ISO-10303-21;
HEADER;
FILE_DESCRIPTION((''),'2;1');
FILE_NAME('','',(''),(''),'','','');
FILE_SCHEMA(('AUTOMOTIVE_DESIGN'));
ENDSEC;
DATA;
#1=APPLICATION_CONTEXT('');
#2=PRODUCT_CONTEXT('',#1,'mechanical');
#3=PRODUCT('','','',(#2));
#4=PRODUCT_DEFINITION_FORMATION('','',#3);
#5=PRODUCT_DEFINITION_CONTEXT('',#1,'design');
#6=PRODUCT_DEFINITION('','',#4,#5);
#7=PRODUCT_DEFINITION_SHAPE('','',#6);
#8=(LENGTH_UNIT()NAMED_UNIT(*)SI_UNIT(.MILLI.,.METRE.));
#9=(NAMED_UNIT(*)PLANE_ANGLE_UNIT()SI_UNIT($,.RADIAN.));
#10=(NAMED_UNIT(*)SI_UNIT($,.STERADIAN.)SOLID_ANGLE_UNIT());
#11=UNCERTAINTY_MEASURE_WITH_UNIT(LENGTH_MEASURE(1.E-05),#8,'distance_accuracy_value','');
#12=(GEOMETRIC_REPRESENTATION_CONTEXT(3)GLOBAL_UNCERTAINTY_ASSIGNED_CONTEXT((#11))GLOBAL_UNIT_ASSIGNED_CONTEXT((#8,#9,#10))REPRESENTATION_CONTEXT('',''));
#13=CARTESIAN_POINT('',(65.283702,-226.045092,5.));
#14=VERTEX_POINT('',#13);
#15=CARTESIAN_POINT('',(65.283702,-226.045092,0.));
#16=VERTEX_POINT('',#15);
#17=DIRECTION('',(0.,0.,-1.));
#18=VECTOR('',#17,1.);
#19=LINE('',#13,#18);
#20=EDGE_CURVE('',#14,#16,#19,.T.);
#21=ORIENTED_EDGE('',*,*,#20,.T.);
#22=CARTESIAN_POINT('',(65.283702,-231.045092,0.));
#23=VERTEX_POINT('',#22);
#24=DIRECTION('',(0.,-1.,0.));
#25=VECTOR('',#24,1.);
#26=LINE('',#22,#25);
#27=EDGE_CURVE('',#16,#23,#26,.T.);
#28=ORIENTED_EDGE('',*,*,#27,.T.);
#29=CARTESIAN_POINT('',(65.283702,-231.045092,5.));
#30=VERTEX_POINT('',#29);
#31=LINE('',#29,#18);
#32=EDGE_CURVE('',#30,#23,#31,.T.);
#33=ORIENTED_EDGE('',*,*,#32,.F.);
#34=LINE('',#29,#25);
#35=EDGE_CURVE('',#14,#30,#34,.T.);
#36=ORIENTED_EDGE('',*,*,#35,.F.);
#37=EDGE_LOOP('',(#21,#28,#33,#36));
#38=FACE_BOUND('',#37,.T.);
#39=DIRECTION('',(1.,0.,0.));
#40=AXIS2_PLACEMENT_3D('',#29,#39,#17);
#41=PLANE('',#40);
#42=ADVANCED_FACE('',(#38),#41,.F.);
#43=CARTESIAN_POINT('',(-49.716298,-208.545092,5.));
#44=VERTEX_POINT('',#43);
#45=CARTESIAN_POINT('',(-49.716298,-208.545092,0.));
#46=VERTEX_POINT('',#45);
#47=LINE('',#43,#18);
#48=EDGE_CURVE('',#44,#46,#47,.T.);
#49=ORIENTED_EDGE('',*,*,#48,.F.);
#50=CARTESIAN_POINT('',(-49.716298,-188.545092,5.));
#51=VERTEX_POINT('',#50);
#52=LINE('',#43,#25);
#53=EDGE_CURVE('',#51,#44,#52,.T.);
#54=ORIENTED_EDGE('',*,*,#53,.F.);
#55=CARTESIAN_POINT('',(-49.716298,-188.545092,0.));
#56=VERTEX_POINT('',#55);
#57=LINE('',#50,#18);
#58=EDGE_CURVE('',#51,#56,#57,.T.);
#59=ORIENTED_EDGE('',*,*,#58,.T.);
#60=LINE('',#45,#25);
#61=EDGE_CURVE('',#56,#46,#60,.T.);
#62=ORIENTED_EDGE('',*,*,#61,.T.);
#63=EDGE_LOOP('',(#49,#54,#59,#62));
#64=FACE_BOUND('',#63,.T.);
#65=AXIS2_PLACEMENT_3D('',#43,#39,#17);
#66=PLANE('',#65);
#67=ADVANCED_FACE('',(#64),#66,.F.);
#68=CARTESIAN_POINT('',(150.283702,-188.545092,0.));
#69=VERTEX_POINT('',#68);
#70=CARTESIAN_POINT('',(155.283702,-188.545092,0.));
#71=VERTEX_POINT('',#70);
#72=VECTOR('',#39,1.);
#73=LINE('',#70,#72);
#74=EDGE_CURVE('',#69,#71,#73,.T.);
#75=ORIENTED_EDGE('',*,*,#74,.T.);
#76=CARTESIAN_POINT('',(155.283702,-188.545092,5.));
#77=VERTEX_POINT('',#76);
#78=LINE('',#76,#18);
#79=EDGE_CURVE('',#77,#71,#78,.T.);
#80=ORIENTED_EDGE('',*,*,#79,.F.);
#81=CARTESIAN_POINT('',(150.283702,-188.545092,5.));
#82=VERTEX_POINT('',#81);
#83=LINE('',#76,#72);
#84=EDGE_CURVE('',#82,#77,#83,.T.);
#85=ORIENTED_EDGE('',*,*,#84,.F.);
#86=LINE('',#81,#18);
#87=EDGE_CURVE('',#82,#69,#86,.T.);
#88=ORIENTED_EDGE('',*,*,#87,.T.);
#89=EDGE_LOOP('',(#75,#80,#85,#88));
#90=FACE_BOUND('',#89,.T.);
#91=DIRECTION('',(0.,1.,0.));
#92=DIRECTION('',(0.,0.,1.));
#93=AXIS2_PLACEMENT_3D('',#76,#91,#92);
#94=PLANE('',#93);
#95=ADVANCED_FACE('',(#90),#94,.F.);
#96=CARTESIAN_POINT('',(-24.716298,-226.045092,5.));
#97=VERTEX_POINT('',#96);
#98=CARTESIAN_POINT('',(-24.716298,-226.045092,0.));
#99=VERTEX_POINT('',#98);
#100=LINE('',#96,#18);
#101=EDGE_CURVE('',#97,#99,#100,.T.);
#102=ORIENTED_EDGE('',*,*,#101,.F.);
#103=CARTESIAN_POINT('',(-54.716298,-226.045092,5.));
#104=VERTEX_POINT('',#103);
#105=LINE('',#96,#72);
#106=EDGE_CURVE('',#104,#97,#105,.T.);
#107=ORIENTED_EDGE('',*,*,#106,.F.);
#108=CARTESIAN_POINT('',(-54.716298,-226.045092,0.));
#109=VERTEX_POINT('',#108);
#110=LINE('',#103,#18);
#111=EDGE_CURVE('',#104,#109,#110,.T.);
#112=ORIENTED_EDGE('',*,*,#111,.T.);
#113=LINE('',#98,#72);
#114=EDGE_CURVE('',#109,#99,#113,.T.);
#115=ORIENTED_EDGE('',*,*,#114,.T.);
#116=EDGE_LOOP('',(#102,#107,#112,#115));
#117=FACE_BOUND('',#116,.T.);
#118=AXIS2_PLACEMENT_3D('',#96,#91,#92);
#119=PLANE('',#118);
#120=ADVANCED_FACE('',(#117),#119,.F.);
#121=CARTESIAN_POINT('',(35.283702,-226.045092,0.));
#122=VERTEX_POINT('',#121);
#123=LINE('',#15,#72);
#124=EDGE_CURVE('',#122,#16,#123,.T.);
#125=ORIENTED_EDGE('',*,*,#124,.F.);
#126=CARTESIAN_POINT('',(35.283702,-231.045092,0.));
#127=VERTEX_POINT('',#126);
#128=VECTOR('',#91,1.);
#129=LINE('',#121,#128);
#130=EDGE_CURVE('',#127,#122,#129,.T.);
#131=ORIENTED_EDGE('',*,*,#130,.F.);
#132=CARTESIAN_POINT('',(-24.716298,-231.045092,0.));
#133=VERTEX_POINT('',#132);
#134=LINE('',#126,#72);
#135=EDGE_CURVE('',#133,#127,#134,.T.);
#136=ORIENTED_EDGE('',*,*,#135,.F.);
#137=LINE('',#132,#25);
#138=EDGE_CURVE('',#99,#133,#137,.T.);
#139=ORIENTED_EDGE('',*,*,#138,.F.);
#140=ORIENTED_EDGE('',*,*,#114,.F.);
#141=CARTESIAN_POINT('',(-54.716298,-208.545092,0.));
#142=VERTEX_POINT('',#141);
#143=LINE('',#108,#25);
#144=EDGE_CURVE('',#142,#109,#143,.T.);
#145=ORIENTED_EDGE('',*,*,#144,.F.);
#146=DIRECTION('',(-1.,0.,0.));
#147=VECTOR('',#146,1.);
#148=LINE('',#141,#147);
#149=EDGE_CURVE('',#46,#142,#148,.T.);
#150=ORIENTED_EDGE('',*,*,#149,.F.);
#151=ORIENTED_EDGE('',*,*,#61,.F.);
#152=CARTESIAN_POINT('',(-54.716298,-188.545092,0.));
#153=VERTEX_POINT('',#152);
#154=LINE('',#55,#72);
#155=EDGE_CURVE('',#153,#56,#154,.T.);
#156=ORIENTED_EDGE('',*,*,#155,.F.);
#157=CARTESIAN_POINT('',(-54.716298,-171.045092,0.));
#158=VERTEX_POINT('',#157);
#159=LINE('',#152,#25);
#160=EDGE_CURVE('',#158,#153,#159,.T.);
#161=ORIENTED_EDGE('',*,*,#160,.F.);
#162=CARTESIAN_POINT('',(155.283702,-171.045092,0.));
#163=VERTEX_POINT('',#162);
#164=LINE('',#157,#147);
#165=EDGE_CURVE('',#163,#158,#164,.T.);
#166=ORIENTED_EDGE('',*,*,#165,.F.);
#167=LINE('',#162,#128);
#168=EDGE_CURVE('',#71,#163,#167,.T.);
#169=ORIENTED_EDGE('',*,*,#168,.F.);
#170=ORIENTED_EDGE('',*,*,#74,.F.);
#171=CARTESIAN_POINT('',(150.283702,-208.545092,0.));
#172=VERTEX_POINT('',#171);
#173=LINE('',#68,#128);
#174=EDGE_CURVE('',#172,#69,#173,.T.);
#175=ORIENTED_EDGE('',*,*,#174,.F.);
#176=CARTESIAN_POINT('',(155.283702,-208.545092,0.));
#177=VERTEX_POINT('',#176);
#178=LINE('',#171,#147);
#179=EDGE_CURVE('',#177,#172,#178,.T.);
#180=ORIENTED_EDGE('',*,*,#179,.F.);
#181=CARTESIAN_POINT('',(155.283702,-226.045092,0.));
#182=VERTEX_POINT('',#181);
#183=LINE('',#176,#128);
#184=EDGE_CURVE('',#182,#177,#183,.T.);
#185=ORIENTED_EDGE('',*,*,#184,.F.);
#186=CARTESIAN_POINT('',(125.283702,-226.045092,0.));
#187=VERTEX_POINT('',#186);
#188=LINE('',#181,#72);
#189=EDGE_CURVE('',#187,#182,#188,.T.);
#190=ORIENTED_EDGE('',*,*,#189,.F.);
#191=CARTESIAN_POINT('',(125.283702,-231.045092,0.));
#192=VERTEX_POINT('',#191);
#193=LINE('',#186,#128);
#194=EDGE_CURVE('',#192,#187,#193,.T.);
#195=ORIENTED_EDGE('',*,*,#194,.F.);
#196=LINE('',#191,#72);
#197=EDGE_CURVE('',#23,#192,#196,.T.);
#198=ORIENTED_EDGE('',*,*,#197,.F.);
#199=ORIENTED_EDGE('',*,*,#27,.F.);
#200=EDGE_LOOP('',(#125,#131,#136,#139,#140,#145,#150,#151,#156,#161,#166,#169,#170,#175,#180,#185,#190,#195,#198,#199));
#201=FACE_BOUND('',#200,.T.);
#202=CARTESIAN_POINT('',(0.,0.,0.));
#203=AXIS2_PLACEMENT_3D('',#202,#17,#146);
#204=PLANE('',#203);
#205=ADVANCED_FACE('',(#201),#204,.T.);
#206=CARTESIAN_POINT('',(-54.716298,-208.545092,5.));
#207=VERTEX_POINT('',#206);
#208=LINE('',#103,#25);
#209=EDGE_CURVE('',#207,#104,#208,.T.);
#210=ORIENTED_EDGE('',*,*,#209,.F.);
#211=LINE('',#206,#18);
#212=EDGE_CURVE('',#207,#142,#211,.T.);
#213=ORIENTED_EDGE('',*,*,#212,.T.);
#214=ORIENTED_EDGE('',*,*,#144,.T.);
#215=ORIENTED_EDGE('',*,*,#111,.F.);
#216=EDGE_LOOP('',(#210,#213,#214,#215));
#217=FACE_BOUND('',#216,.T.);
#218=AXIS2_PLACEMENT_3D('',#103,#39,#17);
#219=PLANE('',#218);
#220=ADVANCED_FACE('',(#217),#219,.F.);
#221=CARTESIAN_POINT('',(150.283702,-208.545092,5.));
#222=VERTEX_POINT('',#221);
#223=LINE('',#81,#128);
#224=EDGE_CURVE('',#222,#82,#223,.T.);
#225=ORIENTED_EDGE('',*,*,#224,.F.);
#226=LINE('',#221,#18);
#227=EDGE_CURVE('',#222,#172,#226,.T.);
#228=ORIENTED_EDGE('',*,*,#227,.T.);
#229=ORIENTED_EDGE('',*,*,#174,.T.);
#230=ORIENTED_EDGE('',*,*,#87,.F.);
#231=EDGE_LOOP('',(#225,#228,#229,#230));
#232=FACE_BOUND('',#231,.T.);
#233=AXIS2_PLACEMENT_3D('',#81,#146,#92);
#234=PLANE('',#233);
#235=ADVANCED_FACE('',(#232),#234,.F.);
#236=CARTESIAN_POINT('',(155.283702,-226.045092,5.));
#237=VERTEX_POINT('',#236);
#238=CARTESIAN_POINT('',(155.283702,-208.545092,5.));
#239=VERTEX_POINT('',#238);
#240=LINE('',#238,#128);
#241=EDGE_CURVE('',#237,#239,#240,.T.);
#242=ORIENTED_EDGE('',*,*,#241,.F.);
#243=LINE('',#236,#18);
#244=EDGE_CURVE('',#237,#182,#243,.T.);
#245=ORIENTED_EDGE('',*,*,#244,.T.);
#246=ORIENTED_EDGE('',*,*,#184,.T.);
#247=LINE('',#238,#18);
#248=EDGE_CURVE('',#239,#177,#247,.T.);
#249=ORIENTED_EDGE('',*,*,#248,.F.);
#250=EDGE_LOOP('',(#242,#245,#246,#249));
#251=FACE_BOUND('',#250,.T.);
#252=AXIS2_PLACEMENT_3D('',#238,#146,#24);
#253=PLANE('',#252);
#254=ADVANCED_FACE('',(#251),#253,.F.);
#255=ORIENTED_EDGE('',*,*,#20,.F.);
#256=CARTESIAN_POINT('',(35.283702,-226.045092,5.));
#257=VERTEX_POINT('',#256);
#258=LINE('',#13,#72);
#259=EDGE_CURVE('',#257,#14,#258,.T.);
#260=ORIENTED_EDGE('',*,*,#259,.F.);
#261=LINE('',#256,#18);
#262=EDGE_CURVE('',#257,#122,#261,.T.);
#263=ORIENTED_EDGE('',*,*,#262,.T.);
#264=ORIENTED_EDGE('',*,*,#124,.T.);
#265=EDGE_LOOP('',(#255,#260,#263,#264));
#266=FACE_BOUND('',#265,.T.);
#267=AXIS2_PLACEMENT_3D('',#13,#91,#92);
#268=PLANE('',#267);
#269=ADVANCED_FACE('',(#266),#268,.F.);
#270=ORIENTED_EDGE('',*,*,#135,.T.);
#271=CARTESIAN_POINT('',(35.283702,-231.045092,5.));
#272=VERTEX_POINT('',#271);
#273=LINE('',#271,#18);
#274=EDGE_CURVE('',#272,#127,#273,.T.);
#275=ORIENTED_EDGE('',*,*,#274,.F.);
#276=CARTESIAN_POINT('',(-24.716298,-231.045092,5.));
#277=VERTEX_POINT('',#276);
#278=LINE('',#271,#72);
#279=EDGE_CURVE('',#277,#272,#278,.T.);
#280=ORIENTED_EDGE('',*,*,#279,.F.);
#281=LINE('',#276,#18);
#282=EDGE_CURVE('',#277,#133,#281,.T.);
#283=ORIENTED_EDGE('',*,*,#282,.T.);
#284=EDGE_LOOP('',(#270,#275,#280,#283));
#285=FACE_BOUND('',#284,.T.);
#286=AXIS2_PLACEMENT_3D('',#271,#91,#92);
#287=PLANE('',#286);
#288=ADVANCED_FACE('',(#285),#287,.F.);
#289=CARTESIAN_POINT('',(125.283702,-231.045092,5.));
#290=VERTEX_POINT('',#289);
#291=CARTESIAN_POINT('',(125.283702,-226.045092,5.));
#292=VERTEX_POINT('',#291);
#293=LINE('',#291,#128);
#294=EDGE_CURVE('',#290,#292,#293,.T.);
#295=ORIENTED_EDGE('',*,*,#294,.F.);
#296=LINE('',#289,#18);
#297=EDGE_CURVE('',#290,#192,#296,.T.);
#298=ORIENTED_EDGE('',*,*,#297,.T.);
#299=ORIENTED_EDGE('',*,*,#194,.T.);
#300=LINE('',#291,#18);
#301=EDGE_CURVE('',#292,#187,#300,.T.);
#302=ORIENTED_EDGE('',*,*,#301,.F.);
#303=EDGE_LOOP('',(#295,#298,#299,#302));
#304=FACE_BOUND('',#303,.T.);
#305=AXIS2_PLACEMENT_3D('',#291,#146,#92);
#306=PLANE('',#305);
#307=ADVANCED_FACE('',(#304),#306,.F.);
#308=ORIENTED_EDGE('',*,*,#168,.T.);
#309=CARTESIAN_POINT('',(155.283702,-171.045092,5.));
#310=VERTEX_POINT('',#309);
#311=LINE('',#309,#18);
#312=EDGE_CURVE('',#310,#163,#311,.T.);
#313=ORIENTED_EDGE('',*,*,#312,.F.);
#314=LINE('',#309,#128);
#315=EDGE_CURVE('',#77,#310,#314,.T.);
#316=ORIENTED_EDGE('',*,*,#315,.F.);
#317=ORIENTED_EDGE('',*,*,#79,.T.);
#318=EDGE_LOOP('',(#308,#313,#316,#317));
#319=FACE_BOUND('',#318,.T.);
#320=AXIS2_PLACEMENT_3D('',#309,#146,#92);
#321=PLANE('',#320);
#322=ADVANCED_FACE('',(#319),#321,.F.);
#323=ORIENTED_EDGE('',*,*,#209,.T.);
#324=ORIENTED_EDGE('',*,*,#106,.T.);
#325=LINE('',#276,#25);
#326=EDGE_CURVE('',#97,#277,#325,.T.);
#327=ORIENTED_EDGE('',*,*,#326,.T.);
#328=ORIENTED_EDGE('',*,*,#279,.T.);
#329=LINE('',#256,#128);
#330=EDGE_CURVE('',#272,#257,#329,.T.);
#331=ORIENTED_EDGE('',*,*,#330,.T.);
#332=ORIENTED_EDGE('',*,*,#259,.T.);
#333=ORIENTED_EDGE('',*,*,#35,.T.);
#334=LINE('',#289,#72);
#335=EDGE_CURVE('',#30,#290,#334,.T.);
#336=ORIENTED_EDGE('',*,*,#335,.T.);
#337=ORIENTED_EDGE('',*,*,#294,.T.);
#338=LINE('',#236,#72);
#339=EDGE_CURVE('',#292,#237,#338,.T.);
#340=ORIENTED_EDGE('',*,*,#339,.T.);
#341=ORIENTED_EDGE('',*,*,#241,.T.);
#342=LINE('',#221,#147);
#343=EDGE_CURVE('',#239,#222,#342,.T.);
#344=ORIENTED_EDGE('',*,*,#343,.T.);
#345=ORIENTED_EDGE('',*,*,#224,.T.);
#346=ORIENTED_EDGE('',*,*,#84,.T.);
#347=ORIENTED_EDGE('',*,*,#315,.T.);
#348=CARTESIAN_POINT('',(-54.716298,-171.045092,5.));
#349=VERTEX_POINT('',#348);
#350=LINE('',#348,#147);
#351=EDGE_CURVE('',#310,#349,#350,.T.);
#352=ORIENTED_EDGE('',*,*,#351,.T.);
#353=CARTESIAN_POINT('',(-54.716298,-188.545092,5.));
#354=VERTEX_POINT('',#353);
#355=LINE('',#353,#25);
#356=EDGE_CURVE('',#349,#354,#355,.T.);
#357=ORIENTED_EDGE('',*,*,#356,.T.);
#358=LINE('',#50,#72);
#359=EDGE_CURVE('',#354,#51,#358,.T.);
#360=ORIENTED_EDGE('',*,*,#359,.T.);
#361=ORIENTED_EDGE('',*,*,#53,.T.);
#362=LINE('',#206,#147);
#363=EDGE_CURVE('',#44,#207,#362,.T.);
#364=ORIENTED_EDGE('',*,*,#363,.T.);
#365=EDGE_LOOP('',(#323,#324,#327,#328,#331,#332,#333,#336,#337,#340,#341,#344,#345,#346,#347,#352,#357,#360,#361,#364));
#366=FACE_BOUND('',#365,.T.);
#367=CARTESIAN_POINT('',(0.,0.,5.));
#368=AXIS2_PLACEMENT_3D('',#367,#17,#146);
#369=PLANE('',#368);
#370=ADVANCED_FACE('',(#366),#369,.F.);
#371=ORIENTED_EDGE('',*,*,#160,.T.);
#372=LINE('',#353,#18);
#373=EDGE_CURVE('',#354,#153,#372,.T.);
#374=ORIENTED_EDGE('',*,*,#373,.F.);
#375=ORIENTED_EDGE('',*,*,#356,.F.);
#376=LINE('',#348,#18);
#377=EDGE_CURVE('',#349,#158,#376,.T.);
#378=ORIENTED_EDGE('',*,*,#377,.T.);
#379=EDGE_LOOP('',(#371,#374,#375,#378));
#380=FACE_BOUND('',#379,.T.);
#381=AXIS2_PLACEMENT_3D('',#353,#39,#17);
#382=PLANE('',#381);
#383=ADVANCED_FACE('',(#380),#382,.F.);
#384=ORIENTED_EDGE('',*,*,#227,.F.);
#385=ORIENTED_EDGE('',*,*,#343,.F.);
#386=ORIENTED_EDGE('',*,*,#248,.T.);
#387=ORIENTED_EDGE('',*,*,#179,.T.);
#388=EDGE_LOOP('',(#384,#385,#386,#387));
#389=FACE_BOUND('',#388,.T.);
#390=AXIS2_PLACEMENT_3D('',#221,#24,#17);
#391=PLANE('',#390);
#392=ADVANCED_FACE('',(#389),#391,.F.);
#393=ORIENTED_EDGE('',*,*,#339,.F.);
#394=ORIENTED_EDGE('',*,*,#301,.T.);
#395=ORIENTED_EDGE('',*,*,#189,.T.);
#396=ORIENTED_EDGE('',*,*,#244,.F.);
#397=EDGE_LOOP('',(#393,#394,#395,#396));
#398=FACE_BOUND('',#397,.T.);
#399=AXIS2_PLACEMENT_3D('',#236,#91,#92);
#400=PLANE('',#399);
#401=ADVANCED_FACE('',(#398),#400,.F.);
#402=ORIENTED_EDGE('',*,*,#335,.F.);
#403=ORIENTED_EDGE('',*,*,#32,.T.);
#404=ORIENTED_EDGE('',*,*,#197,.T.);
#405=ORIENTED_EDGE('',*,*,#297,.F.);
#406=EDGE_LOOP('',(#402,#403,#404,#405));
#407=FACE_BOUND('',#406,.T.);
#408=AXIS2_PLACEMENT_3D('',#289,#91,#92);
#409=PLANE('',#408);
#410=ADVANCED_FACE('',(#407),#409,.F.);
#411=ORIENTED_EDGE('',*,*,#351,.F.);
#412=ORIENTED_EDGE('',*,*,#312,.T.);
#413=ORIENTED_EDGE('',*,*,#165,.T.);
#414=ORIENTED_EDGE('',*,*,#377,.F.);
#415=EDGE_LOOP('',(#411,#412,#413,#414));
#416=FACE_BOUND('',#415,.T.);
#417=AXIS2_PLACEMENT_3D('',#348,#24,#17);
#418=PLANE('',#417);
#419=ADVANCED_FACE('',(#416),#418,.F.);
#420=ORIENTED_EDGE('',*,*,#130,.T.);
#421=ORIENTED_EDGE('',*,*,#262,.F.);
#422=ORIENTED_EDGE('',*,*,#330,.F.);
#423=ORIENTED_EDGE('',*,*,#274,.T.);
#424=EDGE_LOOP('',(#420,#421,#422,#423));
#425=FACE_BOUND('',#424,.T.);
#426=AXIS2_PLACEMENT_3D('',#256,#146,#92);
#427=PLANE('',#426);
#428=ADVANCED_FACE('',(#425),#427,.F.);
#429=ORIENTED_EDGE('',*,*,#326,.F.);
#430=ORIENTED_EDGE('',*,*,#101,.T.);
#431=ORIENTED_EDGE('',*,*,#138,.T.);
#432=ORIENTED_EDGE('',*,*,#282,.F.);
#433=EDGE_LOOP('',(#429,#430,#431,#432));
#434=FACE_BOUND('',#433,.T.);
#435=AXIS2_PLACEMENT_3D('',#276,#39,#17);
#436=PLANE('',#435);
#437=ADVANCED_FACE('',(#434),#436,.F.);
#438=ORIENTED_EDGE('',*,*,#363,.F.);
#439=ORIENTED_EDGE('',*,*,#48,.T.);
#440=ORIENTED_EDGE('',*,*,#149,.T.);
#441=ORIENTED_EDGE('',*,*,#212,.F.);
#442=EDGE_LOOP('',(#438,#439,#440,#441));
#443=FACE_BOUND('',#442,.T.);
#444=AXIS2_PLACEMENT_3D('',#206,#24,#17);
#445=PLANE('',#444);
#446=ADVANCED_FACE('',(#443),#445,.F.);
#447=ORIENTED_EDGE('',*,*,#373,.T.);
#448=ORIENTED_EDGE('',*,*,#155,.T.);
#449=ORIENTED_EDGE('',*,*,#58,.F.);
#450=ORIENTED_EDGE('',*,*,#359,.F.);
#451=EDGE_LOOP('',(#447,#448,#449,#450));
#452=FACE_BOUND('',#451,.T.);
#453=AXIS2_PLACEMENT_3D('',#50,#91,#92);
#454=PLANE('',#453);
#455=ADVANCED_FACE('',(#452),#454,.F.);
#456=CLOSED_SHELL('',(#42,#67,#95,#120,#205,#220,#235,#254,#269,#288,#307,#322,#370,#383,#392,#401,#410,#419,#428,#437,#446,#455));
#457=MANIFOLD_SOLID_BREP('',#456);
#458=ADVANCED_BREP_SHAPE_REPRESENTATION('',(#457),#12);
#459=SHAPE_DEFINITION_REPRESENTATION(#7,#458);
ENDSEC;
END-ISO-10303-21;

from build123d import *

# Parameters (mm, degrees)
BOSS_EXTRU_1_DEPTH = 5


with BuildPart() as part:
    # Esquisse1 → Boss.-Extru.1 (new body)
    with BuildSketch(Plane.XY):
        Polygon((-54.716297944, -171.04509165), (155.283702056, -171.04509165), (155.283702056, -188.54509165), (150.283702056, -188.54509165), (150.283702056, -208.54509165), (155.283702056, -208.54509165), (155.283702056, -226.04509165), (125.283702056, -226.04509165), (125.283702056, -231.04509165), (65.283702056, -231.04509165), (65.283702056, -226.04509165), (35.283702056, -226.04509165), (35.283702056, -231.04509165), (-24.716297944, -231.04509165), (-24.716297944, -226.04509165), (-54.716297944, -226.04509165), (-54.716297944, -208.54509165), (-49.716297944, -208.54509165), (-49.716297944, -188.54509165), (-54.716297944, -188.54509165), align=None)
    extrude(amount=BOSS_EXTRU_1_DEPTH)


solid = part.part
